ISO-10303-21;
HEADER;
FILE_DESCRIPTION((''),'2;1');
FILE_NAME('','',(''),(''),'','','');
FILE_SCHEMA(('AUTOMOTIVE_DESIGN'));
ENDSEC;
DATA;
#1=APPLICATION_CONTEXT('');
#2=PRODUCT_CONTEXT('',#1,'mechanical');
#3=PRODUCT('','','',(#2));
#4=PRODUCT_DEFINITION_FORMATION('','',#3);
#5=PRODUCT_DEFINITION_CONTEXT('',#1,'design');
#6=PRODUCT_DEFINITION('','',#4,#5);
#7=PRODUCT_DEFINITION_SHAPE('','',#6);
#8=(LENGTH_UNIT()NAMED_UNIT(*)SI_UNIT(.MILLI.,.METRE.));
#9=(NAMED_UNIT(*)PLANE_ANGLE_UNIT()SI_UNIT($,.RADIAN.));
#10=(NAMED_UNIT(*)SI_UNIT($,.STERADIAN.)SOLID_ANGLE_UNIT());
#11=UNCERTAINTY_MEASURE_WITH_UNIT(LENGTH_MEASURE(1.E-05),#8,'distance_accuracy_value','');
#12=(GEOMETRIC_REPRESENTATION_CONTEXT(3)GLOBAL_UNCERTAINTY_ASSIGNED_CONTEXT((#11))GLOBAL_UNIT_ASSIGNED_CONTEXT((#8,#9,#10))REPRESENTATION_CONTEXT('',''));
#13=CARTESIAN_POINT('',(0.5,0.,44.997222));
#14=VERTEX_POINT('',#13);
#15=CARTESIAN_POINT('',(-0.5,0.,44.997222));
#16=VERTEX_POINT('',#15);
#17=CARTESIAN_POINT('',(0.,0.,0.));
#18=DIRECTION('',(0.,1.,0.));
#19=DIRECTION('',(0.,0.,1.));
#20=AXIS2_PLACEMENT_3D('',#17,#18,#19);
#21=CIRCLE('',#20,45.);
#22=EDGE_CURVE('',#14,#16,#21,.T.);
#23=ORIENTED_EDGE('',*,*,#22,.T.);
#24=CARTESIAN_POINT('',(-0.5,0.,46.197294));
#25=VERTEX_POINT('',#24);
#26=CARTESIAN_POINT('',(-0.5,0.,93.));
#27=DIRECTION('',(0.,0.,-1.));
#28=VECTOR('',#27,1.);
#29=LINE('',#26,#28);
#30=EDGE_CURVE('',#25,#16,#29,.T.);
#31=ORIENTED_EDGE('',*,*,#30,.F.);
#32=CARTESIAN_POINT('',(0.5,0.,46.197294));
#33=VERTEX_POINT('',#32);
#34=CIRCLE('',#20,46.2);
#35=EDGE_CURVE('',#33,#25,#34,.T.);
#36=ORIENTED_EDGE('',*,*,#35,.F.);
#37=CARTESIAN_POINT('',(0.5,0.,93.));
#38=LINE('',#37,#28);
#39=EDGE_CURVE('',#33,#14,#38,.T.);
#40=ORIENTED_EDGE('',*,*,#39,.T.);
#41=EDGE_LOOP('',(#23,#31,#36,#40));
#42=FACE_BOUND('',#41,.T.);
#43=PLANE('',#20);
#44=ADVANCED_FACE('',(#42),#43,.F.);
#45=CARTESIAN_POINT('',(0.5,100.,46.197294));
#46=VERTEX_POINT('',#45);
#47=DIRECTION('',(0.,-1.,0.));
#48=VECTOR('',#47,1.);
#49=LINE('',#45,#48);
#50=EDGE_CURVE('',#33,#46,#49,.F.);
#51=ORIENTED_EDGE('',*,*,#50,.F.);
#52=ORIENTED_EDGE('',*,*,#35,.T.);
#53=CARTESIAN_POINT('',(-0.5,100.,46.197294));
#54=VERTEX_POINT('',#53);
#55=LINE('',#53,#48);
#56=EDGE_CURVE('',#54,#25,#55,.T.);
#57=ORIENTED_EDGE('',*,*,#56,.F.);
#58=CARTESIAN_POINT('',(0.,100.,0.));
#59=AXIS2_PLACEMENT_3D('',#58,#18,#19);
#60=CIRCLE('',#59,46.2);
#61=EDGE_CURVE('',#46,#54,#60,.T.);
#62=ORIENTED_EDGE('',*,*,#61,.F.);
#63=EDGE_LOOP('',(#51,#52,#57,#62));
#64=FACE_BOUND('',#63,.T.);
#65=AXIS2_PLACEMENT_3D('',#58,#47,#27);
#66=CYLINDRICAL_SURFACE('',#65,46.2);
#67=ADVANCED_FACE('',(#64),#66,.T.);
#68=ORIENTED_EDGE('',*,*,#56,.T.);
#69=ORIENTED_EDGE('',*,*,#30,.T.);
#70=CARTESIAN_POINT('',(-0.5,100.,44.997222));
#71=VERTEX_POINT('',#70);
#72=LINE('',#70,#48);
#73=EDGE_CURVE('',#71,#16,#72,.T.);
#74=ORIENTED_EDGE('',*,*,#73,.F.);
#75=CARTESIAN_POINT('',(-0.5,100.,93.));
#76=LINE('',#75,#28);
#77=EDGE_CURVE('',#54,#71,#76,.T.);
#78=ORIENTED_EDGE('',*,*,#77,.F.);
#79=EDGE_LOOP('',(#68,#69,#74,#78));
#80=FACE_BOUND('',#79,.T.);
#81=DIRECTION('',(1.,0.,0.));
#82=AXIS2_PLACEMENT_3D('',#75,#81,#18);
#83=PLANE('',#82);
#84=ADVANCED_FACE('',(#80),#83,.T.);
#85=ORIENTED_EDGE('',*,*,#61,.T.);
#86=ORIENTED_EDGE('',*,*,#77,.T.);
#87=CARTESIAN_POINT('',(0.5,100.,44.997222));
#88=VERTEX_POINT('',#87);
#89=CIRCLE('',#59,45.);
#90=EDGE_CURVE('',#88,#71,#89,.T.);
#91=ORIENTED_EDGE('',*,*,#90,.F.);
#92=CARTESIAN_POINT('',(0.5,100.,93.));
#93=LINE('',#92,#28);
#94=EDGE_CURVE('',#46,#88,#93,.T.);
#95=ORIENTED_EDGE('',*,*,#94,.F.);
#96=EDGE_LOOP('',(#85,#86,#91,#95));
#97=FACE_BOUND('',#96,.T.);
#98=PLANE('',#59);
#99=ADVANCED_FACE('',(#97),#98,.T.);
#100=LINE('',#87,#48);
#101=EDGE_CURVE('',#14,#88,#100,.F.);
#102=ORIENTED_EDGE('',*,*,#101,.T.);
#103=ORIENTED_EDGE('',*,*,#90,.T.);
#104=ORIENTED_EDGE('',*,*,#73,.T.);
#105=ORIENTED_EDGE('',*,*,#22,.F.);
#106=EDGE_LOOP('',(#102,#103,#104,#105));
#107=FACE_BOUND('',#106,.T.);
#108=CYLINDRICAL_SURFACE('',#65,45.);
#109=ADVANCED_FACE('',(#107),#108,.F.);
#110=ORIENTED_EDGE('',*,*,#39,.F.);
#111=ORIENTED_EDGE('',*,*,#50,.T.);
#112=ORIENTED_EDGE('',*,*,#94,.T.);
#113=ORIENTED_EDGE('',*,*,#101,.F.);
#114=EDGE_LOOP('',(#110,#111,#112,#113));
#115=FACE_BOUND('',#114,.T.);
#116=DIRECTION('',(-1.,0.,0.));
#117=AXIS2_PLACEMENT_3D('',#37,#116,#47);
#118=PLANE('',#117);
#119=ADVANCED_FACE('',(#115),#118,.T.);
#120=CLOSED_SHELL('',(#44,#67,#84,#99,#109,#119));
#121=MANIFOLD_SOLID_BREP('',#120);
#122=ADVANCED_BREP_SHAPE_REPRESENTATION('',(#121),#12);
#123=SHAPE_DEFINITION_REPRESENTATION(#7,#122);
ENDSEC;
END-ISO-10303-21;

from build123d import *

# Parameters (mm, degrees)
SKETCH_1_R          = 46.2
SKETCH_1_R_2        = 45
EXTRUDE_1_DEPTH     = 100
SKETCH_2_W          = 1
SKETCH_2_H          = 100
CUT_EXTRUDE_1_DEPTH = 93


with BuildPart() as part:
    # Эскиз1 → Бобышка-Вытянуть1 (new body)
    with BuildSketch(Plane(origin=(0, 0, 0), x_dir=(1, 0, 0), z_dir=(0, 1, 0))):
        with Locations(Location((0, 0, 0), (0, 0, 270))):
            Circle(SKETCH_1_R)
        with Locations(Location((0, 0, 0), (0, 0, 270))):
            Circle(SKETCH_1_R_2, mode=Mode.SUBTRACT)
    extrude(amount=EXTRUDE_1_DEPTH)

    # Эскиз2 → Вырез-Вытянуть1 (cut)
    with BuildSketch(Plane.XY):
        with Locations((0, 50)):
            Rectangle(SKETCH_2_W, SKETCH_2_H)
    extrude(amount=CUT_EXTRUDE_1_DEPTH, mode=Mode.SUBTRACT)


solid = part.part
